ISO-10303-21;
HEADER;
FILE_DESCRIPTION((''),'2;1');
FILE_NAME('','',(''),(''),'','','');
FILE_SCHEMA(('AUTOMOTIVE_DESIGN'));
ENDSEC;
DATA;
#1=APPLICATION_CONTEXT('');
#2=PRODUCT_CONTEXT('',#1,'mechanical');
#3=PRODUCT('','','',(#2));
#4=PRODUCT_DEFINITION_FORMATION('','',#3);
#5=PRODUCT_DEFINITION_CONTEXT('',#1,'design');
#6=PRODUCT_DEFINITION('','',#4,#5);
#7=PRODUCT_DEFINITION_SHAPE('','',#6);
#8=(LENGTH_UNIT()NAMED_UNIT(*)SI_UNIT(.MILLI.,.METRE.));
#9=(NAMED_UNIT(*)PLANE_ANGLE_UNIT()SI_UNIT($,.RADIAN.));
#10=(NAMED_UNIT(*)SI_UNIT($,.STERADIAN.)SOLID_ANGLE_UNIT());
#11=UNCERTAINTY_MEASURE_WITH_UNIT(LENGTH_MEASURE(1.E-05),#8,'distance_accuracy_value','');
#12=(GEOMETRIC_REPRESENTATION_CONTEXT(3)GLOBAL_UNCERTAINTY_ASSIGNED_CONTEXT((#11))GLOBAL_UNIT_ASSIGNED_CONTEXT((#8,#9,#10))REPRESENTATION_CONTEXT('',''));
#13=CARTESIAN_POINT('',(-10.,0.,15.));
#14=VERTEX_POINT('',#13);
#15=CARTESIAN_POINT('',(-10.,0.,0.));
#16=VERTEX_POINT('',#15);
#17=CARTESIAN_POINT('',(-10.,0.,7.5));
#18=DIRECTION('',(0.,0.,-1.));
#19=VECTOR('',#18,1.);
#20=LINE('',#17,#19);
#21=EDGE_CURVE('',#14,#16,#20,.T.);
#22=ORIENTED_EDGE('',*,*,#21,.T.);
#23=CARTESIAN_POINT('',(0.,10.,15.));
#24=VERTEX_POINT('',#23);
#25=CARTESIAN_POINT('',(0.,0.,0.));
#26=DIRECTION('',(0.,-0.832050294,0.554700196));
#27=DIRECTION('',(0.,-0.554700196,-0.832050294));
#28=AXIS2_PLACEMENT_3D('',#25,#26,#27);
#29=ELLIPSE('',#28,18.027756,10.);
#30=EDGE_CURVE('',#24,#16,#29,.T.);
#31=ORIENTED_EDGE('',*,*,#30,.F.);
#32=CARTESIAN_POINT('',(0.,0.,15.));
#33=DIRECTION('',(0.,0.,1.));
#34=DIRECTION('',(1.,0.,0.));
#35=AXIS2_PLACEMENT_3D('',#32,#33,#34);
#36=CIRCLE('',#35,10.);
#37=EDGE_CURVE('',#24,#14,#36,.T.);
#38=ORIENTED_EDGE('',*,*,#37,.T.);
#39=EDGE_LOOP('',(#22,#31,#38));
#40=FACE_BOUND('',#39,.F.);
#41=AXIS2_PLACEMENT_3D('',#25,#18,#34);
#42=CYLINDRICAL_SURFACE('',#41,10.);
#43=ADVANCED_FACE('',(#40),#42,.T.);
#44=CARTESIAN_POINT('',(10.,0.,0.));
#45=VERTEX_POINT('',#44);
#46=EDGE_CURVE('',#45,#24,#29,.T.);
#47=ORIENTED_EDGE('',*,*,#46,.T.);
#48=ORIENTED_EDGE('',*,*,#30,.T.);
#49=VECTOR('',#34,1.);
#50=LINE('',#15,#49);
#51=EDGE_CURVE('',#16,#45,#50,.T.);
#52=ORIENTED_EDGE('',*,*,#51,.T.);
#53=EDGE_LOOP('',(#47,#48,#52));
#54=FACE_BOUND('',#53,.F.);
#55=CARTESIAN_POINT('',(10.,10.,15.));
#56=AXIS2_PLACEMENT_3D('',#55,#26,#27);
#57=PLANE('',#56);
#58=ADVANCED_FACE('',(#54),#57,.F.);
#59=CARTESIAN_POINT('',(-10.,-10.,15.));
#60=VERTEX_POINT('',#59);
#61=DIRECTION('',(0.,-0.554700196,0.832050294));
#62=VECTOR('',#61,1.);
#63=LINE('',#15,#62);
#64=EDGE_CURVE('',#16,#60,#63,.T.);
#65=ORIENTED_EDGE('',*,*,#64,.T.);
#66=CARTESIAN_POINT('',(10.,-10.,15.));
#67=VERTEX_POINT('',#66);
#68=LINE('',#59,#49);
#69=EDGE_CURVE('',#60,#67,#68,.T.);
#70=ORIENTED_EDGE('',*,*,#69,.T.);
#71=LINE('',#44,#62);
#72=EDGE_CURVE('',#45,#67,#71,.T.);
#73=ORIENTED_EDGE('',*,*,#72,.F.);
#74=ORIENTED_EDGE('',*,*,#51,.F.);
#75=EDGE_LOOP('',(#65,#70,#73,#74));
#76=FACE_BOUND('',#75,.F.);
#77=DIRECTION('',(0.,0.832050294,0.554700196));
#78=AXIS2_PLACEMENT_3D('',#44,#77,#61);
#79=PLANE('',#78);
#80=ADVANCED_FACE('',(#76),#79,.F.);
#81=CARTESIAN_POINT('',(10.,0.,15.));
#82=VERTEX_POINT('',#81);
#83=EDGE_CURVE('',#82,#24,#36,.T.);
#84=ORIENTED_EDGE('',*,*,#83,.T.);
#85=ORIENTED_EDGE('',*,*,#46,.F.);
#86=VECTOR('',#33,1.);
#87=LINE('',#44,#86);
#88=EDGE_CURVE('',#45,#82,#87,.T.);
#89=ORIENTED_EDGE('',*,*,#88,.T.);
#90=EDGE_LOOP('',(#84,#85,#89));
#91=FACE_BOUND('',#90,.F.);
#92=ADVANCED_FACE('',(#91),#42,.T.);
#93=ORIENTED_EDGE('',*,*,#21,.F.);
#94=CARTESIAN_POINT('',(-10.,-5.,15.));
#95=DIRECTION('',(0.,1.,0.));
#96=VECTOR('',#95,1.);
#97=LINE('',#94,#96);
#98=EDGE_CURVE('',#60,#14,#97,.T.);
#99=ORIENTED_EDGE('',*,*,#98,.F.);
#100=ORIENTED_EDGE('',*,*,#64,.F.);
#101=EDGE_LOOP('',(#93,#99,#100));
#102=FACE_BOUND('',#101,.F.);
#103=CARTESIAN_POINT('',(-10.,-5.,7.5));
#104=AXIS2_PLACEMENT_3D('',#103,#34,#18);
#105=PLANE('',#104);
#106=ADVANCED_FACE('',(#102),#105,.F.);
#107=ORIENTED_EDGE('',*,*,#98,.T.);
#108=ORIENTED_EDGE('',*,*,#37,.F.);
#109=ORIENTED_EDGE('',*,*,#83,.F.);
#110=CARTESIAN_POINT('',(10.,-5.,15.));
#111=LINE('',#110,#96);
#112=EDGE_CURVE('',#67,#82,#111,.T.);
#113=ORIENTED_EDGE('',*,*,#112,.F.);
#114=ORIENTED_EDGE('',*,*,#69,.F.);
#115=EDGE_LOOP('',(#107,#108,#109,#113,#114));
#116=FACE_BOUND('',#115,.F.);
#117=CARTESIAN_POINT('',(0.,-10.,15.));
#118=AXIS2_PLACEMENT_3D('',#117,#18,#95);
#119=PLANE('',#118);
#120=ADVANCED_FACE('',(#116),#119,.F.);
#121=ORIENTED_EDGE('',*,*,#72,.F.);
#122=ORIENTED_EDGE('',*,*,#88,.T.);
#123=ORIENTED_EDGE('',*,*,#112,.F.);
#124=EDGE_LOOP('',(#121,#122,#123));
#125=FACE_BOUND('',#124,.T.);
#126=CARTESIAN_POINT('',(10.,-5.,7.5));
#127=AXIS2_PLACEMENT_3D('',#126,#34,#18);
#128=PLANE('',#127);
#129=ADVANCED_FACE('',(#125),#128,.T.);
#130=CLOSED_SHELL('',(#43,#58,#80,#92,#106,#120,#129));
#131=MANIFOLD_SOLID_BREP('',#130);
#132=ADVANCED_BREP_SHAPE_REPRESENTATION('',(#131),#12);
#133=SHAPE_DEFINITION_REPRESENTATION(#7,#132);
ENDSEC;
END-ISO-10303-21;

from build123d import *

# Parameters (mm, degrees)
SKETCH1_R           = 10
BOSS_EXTRUDE1_DEPTH = 15
CUT_EXTRUDE1_DEPTH  = 16
CUT_EXTRUDE2_DEPTH  = 10
CUT_EXTRUDE3_DEPTH  = 10
SKETCH7_W           = 15
SKETCH7_H           = 10
BOSS_EXTRUDE2_DEPTH = 10
CUT_EXTRUDE4_DEPTH  = 20


with BuildPart() as part:
    # Sketch1 → Boss-Extrude1 (new body)
    with BuildSketch(Plane.XY):
        Circle(SKETCH1_R)
    extrude(amount=BOSS_EXTRUDE1_DEPTH)

    # Sketch2 → Cut-Extrude1 (cut, through all)
    with BuildSketch(Plane.XY.offset(15)):
        with BuildLine():
            Line((0, 0), (10, 0))
            ThreePointArc((10, 0), (7.071067812, -7.071067812), (0, -10))
            Line((0, -10), (0, 0))
        make_face()
    extrude(amount=-CUT_EXTRUDE1_DEPTH, mode=Mode.SUBTRACT)

    # Sketch5 → Cut-Extrude2 (cut)
    with BuildSketch(Plane(origin=(10, 0, 0), x_dir=(0, 0, -1), z_dir=(1, 0, 0))):
        Polygon((0, 0), (0, 10), (-15, 10), align=None)
    extrude(amount=-CUT_EXTRUDE2_DEPTH, mode=Mode.SUBTRACT)

    # Sketch6 → Cut-Extrude3 (cut)
    with BuildSketch(Plane(origin=(0, 0, 0), x_dir=(0, 0, -1), z_dir=(1, 0, 0))):
        Polygon((-15, 10), (0, 0), (0, 10), align=None)
    extrude(amount=-CUT_EXTRUDE3_DEPTH, mode=Mode.SUBTRACT)

    # Sketch7 → Boss-Extrude2 (add, symmetric)
    with BuildSketch(Plane(origin=(0, 0, 0), x_dir=(0, 0, -1), z_dir=(1, 0, 0))):
        with Locations((-7.5, -5)):
            Rectangle(SKETCH7_W, SKETCH7_H)
    extrude(amount=BOSS_EXTRUDE2_DEPTH, both=True)

    # Sketch8 → Cut-Extrude4 (cut)
    with BuildSketch(Plane(origin=(10, 0, 0), x_dir=(0, 0, -1), z_dir=(1, 0, 0))):
        Polygon((0, 0), (-15, -10), (0, -10), align=None)
    extrude(amount=-CUT_EXTRUDE4_DEPTH, mode=Mode.SUBTRACT)


solid = part.part
